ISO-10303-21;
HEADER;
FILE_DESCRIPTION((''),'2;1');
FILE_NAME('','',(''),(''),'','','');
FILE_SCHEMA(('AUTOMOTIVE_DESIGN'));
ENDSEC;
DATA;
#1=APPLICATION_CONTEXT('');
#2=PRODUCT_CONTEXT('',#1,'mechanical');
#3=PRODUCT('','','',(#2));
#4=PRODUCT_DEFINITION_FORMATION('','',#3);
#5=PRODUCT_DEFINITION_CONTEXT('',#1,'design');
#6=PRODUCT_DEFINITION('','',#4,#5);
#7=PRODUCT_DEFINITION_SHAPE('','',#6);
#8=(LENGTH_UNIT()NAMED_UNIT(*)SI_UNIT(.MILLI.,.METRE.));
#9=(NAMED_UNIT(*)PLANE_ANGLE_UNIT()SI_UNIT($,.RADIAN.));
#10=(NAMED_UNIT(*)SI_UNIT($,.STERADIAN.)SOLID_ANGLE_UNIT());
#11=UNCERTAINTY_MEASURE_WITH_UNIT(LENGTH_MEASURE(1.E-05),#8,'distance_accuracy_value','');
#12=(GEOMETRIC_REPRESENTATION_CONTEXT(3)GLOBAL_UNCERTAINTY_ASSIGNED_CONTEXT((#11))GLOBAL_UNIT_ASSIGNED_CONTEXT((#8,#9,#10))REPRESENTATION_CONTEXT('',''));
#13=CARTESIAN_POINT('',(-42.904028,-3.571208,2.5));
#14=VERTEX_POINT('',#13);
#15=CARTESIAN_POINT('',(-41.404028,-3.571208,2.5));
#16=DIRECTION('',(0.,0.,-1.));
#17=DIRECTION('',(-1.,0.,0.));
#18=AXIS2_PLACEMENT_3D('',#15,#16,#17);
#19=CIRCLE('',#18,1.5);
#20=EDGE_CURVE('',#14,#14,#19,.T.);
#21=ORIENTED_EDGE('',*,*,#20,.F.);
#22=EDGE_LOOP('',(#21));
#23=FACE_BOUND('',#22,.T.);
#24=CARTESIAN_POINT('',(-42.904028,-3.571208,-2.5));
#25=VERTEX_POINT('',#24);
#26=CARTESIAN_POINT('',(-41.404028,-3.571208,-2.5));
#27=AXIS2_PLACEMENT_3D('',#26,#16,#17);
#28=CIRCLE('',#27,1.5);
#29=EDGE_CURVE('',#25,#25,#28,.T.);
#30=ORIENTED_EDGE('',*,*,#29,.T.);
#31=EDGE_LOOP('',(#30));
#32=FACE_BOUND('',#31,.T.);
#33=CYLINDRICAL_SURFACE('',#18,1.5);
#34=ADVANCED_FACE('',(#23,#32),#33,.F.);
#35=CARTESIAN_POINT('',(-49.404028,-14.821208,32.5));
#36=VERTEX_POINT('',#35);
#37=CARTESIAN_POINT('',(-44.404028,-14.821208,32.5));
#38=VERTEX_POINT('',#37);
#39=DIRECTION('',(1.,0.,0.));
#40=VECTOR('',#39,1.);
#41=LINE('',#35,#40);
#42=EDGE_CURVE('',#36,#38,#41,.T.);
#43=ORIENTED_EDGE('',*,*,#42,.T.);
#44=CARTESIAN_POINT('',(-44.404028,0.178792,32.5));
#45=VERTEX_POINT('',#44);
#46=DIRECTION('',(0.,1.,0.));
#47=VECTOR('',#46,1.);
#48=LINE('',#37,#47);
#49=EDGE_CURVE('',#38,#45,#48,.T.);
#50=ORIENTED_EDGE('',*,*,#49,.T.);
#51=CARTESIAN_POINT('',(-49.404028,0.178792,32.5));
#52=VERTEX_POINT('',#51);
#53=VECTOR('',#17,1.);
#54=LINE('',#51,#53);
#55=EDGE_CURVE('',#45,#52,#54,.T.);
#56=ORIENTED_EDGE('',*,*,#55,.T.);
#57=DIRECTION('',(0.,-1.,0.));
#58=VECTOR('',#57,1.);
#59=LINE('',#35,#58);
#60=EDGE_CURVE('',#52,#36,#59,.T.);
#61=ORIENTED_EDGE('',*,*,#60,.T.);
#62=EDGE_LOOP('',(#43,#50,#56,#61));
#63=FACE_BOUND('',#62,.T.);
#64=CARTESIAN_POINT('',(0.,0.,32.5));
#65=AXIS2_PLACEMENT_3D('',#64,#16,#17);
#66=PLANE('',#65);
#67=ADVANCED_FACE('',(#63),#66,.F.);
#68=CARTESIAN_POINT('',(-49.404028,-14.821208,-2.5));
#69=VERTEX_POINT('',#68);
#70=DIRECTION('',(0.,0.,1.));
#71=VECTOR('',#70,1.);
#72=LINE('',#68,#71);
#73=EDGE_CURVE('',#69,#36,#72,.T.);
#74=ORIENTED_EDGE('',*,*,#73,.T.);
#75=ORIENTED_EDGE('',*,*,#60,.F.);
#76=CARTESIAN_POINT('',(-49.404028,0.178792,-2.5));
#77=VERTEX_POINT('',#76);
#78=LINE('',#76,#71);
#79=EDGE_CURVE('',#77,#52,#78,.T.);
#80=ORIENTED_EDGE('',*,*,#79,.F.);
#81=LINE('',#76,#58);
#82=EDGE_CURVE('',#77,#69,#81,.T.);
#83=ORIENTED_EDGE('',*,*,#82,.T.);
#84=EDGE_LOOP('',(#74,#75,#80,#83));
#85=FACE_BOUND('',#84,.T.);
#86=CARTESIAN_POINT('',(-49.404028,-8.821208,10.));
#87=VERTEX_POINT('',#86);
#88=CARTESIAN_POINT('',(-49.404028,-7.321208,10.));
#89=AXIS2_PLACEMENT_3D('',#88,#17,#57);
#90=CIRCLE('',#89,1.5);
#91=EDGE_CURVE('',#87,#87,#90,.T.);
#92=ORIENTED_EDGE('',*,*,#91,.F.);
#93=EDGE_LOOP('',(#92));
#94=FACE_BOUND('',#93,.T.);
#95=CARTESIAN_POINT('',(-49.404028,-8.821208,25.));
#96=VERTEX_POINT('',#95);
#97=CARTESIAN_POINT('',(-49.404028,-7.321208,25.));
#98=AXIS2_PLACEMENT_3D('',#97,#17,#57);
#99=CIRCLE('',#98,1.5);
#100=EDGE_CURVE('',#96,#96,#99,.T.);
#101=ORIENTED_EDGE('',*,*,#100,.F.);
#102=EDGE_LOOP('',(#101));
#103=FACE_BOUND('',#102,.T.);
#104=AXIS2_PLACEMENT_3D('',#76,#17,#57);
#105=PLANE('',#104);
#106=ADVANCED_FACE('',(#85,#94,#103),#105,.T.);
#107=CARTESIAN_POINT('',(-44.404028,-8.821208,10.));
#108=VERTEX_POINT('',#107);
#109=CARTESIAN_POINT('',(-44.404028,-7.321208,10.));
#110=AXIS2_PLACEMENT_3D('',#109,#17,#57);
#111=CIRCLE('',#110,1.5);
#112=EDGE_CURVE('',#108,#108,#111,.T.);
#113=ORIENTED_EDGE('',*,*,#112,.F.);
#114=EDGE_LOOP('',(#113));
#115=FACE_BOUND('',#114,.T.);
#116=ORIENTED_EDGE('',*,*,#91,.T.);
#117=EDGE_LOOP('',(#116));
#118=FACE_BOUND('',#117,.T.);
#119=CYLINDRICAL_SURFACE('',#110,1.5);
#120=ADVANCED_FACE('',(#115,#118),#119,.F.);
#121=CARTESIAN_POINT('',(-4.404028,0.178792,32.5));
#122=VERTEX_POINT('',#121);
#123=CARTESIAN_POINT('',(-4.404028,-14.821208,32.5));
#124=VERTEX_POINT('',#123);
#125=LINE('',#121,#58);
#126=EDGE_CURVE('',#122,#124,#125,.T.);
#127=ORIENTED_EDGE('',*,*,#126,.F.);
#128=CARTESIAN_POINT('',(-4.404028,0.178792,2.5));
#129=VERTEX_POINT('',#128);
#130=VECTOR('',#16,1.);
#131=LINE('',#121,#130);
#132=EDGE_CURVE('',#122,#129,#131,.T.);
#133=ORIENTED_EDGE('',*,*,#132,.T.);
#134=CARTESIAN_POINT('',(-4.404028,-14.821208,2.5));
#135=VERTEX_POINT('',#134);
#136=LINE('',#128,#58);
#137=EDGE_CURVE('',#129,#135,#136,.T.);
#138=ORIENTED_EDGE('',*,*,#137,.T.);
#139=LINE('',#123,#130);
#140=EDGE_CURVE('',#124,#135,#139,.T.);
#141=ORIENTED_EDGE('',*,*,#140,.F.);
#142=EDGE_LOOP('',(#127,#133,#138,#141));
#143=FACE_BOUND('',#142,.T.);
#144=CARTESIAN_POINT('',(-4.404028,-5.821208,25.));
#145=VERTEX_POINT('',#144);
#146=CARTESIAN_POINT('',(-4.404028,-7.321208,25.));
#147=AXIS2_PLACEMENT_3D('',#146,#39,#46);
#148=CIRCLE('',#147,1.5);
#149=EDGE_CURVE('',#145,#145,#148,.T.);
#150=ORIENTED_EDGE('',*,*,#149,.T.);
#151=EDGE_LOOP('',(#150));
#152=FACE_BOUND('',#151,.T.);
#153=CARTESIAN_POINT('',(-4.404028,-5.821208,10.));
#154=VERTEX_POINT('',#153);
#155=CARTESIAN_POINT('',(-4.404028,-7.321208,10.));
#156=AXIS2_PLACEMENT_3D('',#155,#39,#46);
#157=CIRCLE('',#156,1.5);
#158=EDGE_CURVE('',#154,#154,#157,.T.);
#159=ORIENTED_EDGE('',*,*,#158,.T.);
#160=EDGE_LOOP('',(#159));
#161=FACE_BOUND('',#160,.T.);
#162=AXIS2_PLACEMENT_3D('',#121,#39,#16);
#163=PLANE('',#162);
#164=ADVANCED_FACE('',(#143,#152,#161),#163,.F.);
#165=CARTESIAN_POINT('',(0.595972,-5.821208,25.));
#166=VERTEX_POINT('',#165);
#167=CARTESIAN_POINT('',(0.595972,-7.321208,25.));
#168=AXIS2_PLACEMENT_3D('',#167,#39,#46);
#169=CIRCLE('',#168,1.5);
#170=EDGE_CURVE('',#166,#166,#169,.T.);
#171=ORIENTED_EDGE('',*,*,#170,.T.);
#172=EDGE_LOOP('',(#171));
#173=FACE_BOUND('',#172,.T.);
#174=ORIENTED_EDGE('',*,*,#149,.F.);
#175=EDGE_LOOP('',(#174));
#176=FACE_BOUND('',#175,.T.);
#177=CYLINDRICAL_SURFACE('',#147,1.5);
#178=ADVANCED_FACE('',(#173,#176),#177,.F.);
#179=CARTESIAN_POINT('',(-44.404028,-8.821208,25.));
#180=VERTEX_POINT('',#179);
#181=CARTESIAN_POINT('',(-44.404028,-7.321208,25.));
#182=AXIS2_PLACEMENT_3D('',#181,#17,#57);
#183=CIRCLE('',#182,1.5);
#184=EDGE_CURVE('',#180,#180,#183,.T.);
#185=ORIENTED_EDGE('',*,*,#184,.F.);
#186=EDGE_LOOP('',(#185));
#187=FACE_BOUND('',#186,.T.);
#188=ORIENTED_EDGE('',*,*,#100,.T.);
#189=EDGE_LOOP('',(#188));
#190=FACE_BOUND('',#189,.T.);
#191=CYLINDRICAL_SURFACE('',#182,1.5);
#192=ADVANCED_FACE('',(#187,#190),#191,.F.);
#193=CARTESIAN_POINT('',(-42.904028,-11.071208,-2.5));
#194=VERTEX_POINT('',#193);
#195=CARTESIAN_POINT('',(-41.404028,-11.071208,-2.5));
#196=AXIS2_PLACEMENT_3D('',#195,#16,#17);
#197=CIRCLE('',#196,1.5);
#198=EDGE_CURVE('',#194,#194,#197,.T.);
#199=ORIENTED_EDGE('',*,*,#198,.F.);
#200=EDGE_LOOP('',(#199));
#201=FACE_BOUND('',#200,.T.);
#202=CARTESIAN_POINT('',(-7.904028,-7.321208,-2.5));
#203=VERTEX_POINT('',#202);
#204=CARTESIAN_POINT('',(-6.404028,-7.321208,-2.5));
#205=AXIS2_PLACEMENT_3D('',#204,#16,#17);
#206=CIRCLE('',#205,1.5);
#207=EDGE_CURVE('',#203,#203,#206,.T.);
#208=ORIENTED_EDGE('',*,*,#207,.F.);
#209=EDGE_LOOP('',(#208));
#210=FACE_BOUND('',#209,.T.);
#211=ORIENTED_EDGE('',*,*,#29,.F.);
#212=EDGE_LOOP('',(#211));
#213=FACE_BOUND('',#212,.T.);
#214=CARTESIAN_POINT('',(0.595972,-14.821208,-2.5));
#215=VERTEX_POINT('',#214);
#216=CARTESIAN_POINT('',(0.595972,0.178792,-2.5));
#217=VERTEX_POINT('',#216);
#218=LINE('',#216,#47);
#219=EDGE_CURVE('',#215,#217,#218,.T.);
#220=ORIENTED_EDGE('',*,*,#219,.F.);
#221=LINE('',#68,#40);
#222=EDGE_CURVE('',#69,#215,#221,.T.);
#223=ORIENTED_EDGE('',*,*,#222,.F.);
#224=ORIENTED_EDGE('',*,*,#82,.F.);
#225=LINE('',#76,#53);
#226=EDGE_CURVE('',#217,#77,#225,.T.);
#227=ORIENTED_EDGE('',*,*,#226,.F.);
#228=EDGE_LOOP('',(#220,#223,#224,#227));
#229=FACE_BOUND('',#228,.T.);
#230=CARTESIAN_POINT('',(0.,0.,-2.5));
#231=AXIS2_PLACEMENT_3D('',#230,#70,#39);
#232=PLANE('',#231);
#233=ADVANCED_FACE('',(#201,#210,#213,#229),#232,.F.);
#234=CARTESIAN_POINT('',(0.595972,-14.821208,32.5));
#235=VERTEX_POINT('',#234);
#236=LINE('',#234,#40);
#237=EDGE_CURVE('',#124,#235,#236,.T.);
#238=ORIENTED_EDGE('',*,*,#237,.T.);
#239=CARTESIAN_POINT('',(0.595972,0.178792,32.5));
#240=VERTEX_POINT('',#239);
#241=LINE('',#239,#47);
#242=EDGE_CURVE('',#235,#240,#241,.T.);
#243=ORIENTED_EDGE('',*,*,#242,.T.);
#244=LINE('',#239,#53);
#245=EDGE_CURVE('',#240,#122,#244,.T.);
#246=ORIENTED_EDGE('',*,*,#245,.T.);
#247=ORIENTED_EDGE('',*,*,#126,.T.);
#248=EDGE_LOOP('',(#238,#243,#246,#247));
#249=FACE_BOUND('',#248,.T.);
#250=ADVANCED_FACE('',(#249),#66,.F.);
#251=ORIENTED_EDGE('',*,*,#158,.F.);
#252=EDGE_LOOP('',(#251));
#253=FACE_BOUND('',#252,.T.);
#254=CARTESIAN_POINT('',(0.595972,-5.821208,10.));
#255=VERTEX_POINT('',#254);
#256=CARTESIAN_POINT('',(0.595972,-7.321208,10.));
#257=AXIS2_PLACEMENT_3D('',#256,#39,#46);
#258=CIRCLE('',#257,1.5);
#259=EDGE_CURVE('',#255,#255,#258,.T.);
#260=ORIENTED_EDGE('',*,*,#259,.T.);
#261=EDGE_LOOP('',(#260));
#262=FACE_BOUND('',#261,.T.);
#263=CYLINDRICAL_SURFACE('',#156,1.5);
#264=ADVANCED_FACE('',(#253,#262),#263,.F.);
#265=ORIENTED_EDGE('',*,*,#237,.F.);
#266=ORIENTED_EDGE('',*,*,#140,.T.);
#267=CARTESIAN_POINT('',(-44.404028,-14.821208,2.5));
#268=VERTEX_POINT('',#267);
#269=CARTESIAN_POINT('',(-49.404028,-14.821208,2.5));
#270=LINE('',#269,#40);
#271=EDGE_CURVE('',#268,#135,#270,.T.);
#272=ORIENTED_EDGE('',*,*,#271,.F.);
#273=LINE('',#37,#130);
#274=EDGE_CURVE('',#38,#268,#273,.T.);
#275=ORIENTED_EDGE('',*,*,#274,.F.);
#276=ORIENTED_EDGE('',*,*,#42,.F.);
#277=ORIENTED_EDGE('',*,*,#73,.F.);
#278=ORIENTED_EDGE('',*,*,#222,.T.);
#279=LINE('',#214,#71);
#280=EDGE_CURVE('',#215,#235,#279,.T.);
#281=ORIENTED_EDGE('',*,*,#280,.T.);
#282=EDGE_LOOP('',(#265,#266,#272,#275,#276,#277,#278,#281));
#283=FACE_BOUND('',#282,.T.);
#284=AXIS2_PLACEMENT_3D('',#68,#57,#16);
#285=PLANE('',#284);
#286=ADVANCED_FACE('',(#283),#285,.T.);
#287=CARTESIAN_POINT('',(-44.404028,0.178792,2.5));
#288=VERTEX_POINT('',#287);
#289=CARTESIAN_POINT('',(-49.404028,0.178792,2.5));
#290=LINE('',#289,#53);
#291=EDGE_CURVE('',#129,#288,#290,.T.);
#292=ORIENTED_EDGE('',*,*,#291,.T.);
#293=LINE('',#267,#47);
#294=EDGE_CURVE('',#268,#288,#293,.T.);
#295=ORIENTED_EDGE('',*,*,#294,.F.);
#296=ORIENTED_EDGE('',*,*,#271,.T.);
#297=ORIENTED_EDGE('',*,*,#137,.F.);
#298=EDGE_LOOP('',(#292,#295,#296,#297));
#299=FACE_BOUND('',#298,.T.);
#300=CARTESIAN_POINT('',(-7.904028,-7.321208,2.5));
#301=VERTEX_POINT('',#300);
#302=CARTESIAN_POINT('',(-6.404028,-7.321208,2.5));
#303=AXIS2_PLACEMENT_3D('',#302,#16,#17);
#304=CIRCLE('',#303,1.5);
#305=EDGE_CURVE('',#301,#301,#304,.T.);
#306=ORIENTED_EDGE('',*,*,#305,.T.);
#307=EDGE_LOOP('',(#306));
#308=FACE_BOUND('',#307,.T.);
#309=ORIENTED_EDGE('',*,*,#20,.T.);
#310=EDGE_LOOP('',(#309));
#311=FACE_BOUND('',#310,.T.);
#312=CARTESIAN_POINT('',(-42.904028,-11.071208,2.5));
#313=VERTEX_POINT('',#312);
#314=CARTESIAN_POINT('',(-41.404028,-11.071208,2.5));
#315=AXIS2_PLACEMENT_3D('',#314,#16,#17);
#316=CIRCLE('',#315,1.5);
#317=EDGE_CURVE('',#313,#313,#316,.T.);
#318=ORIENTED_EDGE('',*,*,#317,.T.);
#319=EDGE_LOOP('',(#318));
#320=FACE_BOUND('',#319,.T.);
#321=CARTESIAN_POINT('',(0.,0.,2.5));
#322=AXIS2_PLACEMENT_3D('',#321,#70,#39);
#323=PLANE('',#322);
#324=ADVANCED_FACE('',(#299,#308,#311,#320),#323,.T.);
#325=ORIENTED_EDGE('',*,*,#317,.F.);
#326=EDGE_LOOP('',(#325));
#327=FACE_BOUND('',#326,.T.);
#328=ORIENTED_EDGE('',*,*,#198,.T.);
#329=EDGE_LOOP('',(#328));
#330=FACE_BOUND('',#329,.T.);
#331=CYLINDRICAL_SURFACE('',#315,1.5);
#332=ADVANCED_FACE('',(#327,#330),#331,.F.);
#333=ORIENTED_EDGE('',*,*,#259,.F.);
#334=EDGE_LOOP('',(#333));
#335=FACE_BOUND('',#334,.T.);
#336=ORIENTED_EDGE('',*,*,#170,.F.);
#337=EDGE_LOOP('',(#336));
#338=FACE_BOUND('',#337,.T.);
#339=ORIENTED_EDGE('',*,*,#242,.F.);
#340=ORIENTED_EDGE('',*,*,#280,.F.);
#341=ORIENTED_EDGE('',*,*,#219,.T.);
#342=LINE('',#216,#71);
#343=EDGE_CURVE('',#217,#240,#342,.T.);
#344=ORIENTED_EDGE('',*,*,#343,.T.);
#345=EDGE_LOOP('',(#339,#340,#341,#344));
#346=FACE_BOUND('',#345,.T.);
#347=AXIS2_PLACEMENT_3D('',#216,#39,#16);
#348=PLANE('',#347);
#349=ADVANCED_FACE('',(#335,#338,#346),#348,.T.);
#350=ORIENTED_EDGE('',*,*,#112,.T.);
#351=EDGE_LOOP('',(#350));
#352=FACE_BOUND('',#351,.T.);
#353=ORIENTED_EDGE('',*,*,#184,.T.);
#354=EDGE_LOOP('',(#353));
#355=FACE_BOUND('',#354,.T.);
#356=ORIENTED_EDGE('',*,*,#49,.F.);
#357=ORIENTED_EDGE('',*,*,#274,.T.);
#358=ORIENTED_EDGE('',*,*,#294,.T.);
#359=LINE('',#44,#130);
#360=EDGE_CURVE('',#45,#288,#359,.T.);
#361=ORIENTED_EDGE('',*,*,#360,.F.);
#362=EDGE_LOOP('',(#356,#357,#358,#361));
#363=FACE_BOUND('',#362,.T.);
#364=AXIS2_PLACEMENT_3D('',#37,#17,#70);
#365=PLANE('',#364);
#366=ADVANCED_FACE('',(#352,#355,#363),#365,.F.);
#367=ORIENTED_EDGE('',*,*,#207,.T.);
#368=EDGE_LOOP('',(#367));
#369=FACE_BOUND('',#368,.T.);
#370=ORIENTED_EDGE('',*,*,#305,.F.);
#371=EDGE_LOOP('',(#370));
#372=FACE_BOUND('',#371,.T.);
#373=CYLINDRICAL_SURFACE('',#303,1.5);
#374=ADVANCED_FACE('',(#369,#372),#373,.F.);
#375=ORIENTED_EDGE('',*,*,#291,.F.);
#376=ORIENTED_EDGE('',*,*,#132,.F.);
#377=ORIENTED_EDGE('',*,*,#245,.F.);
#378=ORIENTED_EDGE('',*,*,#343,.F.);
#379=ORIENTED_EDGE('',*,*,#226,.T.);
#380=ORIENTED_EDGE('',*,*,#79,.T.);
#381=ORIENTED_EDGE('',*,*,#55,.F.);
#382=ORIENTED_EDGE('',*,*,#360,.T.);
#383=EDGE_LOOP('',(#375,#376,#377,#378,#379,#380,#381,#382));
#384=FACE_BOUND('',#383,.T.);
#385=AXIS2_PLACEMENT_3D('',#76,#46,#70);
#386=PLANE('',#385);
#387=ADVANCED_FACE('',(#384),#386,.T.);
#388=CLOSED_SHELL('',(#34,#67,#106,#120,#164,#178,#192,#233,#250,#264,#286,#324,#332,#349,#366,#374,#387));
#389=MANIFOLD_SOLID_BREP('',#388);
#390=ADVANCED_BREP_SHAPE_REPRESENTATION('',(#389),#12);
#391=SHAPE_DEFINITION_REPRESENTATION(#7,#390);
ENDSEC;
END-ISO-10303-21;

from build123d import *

# Parameters (mm, degrees)
BOSS_EXTRUDE1_DEPTH      = 2.5
BOSS_EXTRUDE1_DEPTH_BACK = 2.5
SKETCH1_W                = 50
SKETCH1_H                = 15
SKETCH2_W                = 5
SKETCH2_H                = 15
BOSS_EXTRUDE2_DEPTH      = 30
SKETCH3_W                = 5
SKETCH3_H                = 15
BOSS_EXTRUDE3_DEPTH      = 30
SKETCH4_R                = 1.5
CUT_EXTRUDE1_DEPTH       = 5
SKETCH5_R                = 1.5
CUT_EXTRUDE2_DEPTH       = 5
CUT_EXTRUDE3_START       = -5
SKETCH6_R                = 1.5
CUT_EXTRUDE3_DEPTH       = 5
CUT_EXTRUDE5_START       = -5
SKETCH7_R                = 1.5
CUT_EXTRUDE5_DEPTH       = 5
SKETCH11_R               = 1.5
CUT_EXTRUDE6_DEPTH       = 5
SKETCH12_R               = 1.5
CUT_EXTRUDE7_DEPTH       = 5


with BuildPart() as part:
    # Sketch1 → Boss-Extrude1 (new, two sides: drawn at the far end of the back side and taken through both)
    with BuildSketch(Plane.XY.offset(-BOSS_EXTRUDE1_DEPTH_BACK)):
        with Locations((-24.404028235, -7.321208471)):
            Rectangle(SKETCH1_W, SKETCH1_H)
    extrude(amount=BOSS_EXTRUDE1_DEPTH + BOSS_EXTRUDE1_DEPTH_BACK)

    # Sketch2 → Boss-Extrude2 (add)
    with BuildSketch(Plane.XY.offset(2.5)):
        with Locations((-46.904028235, -7.321208471)):
            Rectangle(SKETCH2_W, SKETCH2_H)
    extrude(amount=BOSS_EXTRUDE2_DEPTH)

    # Sketch3 → Boss-Extrude3 (add)
    with BuildSketch(Plane.XY.offset(2.5)):
        with Locations((-1.904028235, -7.321208471)):
            Rectangle(SKETCH3_W, SKETCH3_H)
    extrude(amount=BOSS_EXTRUDE3_DEPTH)

    # Sketch4 → Cut-Extrude1 (cut)
    with BuildSketch(Plane.ZY.offset(49.404028235)):
        with Locations((25, -7.321208471)):
            Circle(SKETCH4_R)
    extrude(amount=-CUT_EXTRUDE1_DEPTH, mode=Mode.SUBTRACT)

    # Sketch5 → Cut-Extrude2 (cut)
    with BuildSketch(Plane.ZY.offset(49.404028235)):
        with Locations((10, -7.321208471)):
            Circle(SKETCH5_R)
    extrude(amount=-CUT_EXTRUDE2_DEPTH, mode=Mode.SUBTRACT)

    # Sketch6 → Cut-Extrude3 (cut)
    with BuildSketch(Plane(origin=(0.595971765, 0, 0), x_dir=(0, 0, -1), z_dir=(1, 0, 0)).offset(CUT_EXTRUDE3_START)):
        with Locations((-25, -7.321208471)):
            Circle(SKETCH6_R)
    extrude(amount=CUT_EXTRUDE3_DEPTH, mode=Mode.SUBTRACT)

    # Sketch7 → Cut-Extrude5 (cut)
    with BuildSketch(Plane(origin=(0.595971765, 0, 0), x_dir=(0, 0, -1), z_dir=(1, 0, 0)).offset(CUT_EXTRUDE5_START)):
        with Locations((-10, -7.321208471)):
            Circle(SKETCH7_R)
    extrude(amount=CUT_EXTRUDE5_DEPTH, mode=Mode.SUBTRACT)

    # Sketch11 → Cut-Extrude6 (cut)
    with BuildSketch(Plane(origin=(0, 0, -2.5), x_dir=(-1, 0, 0), z_dir=(0, 0, -1))):
        with Locations((41.404028235, -3.571208471)):
            Circle(SKETCH11_R)
        with Locations((41.404028235, -11.071208471)):
            Circle(SKETCH11_R)
    extrude(amount=-CUT_EXTRUDE6_DEPTH, mode=Mode.SUBTRACT)

    # Sketch12 → Cut-Extrude7 (cut)
    with BuildSketch(Plane(origin=(0, 0, -2.5), x_dir=(-1, 0, 0), z_dir=(0, 0, -1))):
        with Locations((6.404028235, -7.321208471)):
            Circle(SKETCH12_R)
    extrude(amount=-CUT_EXTRUDE7_DEPTH, mode=Mode.SUBTRACT)


solid = part.part
